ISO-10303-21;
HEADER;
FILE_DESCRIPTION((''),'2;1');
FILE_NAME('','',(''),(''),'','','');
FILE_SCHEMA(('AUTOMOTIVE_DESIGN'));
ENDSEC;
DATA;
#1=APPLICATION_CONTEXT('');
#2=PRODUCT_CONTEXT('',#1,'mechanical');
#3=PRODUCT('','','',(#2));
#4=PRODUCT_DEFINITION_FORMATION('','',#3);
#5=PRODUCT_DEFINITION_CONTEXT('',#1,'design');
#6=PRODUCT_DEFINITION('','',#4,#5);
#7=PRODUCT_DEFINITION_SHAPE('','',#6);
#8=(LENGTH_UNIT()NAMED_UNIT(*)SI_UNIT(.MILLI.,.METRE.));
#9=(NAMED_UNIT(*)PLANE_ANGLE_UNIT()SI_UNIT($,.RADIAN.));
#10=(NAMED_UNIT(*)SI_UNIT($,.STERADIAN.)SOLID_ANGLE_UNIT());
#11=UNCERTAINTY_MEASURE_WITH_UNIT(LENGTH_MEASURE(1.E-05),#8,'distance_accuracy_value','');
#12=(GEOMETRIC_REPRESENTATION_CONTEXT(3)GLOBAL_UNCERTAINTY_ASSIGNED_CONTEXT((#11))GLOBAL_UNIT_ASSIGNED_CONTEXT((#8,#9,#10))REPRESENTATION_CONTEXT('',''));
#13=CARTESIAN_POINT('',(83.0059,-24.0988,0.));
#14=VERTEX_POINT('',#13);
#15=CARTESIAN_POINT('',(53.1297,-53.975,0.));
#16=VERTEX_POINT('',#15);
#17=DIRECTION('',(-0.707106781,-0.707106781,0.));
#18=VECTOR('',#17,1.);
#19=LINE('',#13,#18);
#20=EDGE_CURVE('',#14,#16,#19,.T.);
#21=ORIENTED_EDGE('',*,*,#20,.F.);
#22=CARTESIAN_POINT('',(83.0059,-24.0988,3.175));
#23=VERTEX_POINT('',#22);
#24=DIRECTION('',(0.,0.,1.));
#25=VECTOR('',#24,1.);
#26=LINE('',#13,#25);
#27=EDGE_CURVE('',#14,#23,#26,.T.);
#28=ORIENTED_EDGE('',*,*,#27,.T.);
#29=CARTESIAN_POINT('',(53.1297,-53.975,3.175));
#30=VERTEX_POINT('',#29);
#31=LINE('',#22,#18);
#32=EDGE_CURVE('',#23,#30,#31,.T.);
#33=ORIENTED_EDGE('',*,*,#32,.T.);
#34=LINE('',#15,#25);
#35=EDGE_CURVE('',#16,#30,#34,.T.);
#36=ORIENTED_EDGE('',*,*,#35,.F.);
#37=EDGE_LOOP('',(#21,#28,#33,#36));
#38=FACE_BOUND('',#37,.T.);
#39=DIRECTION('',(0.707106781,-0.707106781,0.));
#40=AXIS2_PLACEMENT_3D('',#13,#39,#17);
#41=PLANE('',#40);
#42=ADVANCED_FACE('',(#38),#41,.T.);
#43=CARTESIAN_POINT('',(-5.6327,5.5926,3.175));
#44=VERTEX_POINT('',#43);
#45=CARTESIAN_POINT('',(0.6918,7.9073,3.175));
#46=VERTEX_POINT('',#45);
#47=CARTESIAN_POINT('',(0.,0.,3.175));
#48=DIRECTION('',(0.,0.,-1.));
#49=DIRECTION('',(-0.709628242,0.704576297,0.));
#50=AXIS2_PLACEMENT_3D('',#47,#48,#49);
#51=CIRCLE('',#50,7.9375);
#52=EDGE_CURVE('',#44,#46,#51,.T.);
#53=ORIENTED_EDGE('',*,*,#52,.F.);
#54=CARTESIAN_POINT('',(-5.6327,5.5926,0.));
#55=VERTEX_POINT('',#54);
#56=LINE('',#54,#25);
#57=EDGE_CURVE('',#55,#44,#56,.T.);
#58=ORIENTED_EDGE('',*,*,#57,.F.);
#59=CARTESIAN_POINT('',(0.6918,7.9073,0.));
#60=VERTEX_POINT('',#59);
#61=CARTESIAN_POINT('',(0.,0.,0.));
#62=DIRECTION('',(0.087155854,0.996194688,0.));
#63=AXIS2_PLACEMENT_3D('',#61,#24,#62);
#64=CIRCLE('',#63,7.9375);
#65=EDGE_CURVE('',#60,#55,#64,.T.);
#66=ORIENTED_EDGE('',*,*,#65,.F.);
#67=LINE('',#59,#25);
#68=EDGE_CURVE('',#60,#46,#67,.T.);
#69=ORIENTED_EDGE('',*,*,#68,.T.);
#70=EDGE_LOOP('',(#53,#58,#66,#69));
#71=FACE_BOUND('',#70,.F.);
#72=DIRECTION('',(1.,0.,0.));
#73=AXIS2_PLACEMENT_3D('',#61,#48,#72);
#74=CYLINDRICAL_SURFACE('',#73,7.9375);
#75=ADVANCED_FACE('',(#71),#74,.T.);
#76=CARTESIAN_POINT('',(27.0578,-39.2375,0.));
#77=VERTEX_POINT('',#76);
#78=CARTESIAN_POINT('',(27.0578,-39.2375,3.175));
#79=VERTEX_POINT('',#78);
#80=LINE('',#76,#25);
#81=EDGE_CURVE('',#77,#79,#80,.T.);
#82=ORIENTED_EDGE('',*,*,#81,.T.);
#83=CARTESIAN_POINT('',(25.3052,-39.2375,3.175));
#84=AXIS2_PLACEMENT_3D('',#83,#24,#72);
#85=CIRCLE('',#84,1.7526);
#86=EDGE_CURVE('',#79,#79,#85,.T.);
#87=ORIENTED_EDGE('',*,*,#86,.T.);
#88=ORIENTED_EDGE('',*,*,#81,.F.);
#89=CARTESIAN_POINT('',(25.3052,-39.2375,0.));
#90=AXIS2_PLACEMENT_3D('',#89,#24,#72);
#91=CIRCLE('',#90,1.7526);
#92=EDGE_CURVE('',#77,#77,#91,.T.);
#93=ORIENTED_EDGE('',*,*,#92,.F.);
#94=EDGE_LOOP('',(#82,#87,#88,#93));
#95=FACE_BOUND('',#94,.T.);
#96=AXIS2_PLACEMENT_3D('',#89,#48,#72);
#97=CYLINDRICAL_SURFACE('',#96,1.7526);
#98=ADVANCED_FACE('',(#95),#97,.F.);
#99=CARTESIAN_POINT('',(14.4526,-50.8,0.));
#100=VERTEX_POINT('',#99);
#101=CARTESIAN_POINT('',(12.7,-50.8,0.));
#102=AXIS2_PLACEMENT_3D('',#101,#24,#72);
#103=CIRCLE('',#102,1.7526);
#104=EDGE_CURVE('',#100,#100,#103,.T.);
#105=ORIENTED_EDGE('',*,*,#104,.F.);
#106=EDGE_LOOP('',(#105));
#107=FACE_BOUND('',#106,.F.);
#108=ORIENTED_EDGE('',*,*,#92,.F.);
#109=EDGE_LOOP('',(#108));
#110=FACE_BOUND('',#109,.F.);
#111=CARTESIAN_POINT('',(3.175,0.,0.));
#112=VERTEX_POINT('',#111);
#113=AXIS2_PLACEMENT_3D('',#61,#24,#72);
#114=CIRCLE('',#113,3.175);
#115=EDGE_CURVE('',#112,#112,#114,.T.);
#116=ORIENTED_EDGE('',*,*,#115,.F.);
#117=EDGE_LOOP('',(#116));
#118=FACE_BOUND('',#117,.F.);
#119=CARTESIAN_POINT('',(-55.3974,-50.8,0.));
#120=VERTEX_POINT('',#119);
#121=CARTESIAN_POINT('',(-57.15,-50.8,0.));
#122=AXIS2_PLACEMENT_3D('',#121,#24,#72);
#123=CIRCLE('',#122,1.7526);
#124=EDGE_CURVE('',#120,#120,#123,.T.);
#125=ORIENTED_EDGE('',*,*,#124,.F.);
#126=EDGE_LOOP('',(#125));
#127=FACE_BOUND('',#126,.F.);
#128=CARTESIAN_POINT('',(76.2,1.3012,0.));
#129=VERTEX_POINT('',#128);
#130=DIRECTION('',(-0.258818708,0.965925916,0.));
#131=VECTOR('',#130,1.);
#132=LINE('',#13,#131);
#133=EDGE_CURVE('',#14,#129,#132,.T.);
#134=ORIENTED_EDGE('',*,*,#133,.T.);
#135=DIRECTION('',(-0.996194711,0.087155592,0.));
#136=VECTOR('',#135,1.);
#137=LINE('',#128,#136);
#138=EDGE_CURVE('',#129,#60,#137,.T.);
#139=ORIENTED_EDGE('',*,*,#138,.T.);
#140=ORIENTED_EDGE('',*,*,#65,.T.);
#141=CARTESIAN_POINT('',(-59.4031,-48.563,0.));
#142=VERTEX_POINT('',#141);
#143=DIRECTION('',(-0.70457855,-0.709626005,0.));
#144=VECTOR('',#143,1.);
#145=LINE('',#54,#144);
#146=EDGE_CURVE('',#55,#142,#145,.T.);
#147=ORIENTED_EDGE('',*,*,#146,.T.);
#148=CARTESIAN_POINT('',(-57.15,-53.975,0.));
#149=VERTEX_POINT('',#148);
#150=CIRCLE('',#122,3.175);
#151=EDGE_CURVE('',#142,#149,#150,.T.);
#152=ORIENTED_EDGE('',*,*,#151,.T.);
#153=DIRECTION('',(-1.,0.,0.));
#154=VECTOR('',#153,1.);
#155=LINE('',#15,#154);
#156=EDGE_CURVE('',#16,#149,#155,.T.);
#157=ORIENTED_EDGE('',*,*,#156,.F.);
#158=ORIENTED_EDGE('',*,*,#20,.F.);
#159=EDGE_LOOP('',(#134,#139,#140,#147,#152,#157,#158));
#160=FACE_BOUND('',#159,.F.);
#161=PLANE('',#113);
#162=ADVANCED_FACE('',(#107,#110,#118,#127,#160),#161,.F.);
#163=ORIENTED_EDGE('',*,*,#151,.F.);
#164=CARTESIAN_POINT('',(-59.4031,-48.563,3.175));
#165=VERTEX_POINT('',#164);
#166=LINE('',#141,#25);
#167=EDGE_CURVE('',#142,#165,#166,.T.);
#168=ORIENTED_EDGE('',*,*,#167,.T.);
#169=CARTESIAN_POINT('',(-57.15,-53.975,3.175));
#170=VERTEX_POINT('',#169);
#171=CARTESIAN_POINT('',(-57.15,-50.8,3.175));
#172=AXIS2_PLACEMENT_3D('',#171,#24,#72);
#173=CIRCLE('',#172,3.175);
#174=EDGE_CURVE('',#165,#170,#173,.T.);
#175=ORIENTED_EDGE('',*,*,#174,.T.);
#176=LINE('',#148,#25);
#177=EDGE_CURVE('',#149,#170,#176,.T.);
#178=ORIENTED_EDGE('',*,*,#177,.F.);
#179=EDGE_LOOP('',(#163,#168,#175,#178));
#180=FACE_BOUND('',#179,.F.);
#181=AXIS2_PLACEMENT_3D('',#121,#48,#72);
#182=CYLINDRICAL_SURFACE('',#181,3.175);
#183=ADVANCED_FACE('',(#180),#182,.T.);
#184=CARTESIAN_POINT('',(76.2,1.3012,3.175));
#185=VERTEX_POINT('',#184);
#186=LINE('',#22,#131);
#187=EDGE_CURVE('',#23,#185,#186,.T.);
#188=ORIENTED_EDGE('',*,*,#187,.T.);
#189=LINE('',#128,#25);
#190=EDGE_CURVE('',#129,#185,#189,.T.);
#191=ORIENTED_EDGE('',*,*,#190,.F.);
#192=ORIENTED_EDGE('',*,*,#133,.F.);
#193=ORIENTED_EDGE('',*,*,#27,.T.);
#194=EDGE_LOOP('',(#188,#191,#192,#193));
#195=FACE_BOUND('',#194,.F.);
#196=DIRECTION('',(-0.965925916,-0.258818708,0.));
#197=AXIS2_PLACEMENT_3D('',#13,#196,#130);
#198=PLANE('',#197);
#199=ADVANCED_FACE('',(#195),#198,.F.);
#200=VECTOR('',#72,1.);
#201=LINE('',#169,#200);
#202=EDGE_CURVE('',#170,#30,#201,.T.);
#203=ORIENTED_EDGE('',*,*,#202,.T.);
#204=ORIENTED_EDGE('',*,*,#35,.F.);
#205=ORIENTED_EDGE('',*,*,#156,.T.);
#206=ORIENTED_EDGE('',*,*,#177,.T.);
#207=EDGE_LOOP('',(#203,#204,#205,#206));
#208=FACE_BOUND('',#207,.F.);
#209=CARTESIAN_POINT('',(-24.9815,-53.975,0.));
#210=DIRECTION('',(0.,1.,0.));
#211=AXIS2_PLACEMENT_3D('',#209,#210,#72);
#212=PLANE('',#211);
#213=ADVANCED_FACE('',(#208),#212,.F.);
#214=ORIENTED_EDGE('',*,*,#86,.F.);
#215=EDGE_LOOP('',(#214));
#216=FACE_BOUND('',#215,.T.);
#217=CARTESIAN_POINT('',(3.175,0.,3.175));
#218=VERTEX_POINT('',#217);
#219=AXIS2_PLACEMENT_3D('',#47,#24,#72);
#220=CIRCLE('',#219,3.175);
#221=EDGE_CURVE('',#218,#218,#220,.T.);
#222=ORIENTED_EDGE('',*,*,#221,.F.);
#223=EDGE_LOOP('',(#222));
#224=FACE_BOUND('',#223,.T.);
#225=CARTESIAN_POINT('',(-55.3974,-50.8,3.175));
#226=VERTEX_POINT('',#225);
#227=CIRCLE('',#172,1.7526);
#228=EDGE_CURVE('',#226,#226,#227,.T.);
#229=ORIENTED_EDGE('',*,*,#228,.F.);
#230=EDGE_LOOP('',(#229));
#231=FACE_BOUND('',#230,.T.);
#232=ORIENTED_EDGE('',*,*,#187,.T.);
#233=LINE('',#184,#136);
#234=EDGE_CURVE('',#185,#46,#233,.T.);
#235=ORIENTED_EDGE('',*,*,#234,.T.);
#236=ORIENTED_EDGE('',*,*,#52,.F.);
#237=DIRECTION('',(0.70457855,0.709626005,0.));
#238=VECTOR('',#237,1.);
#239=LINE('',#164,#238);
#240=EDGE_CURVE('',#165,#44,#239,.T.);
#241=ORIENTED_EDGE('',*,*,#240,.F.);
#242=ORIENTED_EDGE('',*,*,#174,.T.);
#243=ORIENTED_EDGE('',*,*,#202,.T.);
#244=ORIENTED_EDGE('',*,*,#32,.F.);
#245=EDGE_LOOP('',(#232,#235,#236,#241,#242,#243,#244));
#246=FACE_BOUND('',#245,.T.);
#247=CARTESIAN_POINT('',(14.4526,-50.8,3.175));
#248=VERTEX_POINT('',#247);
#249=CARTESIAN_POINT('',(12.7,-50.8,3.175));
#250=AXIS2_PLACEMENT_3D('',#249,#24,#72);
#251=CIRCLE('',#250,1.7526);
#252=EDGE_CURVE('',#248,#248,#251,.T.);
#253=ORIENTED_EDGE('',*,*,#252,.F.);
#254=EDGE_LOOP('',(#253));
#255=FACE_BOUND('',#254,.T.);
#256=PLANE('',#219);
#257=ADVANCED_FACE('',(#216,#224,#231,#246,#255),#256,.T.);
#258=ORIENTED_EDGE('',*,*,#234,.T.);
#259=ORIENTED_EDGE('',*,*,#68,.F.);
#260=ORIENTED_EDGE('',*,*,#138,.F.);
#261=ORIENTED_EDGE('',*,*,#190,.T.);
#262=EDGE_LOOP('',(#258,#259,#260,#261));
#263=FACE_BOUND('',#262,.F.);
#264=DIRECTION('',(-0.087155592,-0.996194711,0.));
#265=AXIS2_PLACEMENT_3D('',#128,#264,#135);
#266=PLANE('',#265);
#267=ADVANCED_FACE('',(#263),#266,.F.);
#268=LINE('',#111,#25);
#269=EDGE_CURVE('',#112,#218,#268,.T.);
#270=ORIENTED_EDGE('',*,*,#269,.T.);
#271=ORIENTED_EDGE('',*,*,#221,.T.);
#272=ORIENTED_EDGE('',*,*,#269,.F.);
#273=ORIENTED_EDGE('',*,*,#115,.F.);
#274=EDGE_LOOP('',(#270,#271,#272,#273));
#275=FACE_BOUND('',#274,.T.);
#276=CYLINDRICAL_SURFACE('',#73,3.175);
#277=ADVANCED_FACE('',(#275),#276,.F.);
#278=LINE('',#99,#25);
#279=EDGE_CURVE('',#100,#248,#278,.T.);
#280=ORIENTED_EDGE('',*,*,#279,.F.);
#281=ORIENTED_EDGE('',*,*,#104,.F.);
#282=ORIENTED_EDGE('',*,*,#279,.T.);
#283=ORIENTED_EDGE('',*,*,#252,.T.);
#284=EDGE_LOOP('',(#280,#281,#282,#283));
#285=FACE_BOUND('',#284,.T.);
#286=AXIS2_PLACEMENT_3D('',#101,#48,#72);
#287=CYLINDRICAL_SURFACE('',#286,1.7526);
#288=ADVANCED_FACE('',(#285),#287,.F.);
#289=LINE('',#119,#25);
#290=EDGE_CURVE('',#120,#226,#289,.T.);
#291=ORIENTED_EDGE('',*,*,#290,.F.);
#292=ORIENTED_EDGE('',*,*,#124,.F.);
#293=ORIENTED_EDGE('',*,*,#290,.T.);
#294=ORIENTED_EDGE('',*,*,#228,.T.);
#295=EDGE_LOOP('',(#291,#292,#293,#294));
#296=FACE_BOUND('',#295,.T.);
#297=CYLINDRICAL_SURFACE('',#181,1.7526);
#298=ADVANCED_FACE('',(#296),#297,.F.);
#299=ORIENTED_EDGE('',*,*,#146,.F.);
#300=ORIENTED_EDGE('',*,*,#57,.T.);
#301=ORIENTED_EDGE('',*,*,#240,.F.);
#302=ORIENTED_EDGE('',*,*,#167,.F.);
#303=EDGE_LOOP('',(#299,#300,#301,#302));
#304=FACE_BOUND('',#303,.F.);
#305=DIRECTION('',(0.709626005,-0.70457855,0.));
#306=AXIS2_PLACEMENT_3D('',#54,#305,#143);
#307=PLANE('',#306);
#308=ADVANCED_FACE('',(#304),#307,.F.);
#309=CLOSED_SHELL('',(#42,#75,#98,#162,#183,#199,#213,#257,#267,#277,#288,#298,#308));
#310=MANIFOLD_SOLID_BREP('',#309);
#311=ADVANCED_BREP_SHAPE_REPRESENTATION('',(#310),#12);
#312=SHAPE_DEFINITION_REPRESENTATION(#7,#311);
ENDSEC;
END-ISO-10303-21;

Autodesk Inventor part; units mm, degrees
ref_plane "YZ Plane" through (0, 0, 0) normal (1, 0, 0) x (0, 1, 0)
ref_plane "XZ Plane" through (0, 0, 0) normal (0, 1, 0) x (-1, 0, 0)
ref_plane "XY Plane" through (0, 0, 0) normal (0, 0, 1) x (1, 0, 0)
sketch "Sketch2" plane through (0, 0, 0) normal (0, 0, 1) x (1, 0, 0)
  circle A0 centre (0, 0) radius 3.175
  circle A1 centre (0, 0) radius 7.9375
  line L0 (-24.9815, -53.975) -> (30.0677, -53.975)
  line L1 (-24.9815, -53.975) -> (-36.2864, -11.7845)
  line L2 (-36.2864, -11.7845) -> (-3.9687, 6.8741)
  line L3 (20.5427, -47.625) -> (-13.5349, -47.625)
  line L4 (-13.5349, -47.625) -> (-22.3476, -14.7355)
  line L5 (-22.3476, -14.7355) -> (-5.9414, -5.2634)
  line L6 (-18.1512, -42.6641) -> (-23.9035, -21.1964) construction
  line L7 (-23.9035, -21.1964) -> (-30.0371, -22.8399) construction
  line L8 (-30.0371, -22.8399) -> (-24.2848, -44.3076) construction
  line L9 (-24.2848, -44.3076) -> (-18.1512, -42.6641) construction
  line L10 (-18.1512, -42.6641) -> (-30.0371, -22.8399) construction
  line L11 (-23.9035, -21.1964) -> (-24.2848, -44.3076) construction
  circle A2 centre (-30.0371, -22.8399) radius 1.7526
  circle A3 centre (-24.2848, -44.3076) radius 1.7526
  circle A4 centre (-21.0273, -31.9303) radius 2
  line L12 (25.3052, -45.5804) -> (25.3052, -53.975) construction
  circle A5 centre (25.3052, -39.2375) radius 1.7526
  line L13 (0, 0) -> (-58.6646, -15.7191) construction
  line L14 (-24.0941, -32.752) -> (-30.6681, -8.2175) construction
  circle A6 centre (25.3052, -39.2375) radius 4.7625
  line L15 (30.0677, -39.2375) -> (30.0677, -53.975)
  line L16 (20.5427, -39.2375) -> (20.5427, -47.625)
  line L17 (-30.2278, -34.3955) -> (-17.9605, -31.1085) construction
  circle A7 centre (-9.9632, -48.6877) radius 1.7526
  line L18 (-9.9632, -48.6877) -> (-25.2973, -52.7964) construction
  line L19 (25.3052, -39.2375) -> (24.0725, -34.6373) construction
  line L20 (-9.9632, -48.6877) -> (-10.4168, -46.9948) construction
  circle A8 centre (25.3052, -39.2375) radius 1.7526
  circle A9 centre (25.3052, -39.2375) radius 4.7625
  line L21 (16.8164, -38.2251) -> (8.188, -6.0235)
  line L22 (8.188, -6.0235) -> (-22.4801, -14.241) construction
  line L23 (-22.4801, -14.241) -> (-13.8518, -46.4426) construction
  line L24 (-13.8518, -46.4426) -> (16.8164, -38.2251)
  line L25 (16.8164, -38.2251) -> (-22.4801, -14.241) construction
  line L26 (8.188, -6.0235) -> (-13.8518, -46.4426) construction
  line L27 (6.9477, 3.8384) -> (29.4738, -36.9345)
  line L28 (2.0544, -7.667) -> (8.188, -6.0235)
  circle A10 centre (-9.9632, -48.6877) radius 4.7625 construction
  line L29 (26.5378, -43.8377) -> (-11.2949, -53.975)
  line L30 (76.2, 1.3012) -> (0.6918, 7.9073)
  line L31 (83.0059, -24.0988) -> (76.2, 1.3012)
  circle A11 centre (-57.15, -50.8) radius 1.7526
  circle A12 centre (-57.15, -50.8) radius 3.175
  line L32 (-57.15, -53.975) -> (-24.9815, -53.975)
  line L33 (-5.6327, 5.5926) -> (-59.4031, -48.563)
  circle A13 centre (12.7, -50.8) radius 1.7526
  line L34 (83.0059, -24.0988) -> (53.1297, -53.975)
  line L35 (53.1297, -53.975) -> (30.0677, -53.975)
  point P0 (7.667, 2.0544)
  point P1 (0.4795, -7.923)
  point P2 (-24.0941, -32.752)
  point P3 (-2.8319, -26.2331)
  point P4 (-2.8319, -26.2331)
  point P5 (-11.2949, -53.975)
  point P6 (-12.1309, -47.625)
  point P7 (-13.8518, -46.4426)
  point P8 (27.0578, -39.2375)
  point P9 (28.5531, -38.4633)
  point P10 (26.5378, -43.8377)
  point P11 (29.4738, -36.9345)
  dimension "d7" = 15.875
  dimension "d40" = 3.5052
  dimension "d6" = 6.35
  dimension "d15" = 105
  dimension "d17" = 105
  dimension "d19" = 9.525
  dimension "d20" = 12.7
  dimension "d24" = 22.225
  dimension "d25" = 6.35
  dimension "d26" = 3.5052
  dimension "d27" = 3.5052
  dimension "d28" = 4
  dimension "d29" = 6.35
  dimension "d33" = 3.5052
  dimension "d35" = 31.75
  dimension "d37" = 9.525
  dimension "d38" = 25.4
  dimension "d39" = 53.975
  dimension "d41" = 44.45
  dimension "d43" = 36.5125
  dimension "d48" = 22.225
  dimension "d49" = 3.5052
  dimension "d51" = 9.525
  dimension "d52" = 31.75
  dimension "d53" = 33.3375
  dimension "d54" = 9.525
  dimension "d56" = 145
  dimension "d58" = 110
  dimension "d60" = 76.2
  dimension "d61" = 25.4
  dimension "d63" = 3.5052
  dimension "d64" = 6.35
  dimension "d65" = 57.15
  dimension "d66" = 3.5052
  dimension "d67" = 3.175
  dimension "d69" = 69.85
  dimension "d70" = 135
extrude "Extrusion2" add sketch "Sketch2" along normal blind 3.175 contours A1 | A1 L27 A6 L16 L29 L3 A7 L4 L24 L21 L28 | A1 L30 L31 L34 L35 L15 A6 L27 | L28 L21 L24 L4 L5 A1 | A6 | L5 L4 L3 A7 L29 L0 L1 L33 A1 | L15 L0 L29 L3 L16 A6 | A6 L29 L16 | L16 L3 L29 | L1 L32 A12 L33 | A12 | A7 L3 | L3 A7 | A2 | A3 | A4
equation "\"d26\" = d33"
equation "\"d27\" = d33"
properties part number "Uprights" material "UHMW, White"
